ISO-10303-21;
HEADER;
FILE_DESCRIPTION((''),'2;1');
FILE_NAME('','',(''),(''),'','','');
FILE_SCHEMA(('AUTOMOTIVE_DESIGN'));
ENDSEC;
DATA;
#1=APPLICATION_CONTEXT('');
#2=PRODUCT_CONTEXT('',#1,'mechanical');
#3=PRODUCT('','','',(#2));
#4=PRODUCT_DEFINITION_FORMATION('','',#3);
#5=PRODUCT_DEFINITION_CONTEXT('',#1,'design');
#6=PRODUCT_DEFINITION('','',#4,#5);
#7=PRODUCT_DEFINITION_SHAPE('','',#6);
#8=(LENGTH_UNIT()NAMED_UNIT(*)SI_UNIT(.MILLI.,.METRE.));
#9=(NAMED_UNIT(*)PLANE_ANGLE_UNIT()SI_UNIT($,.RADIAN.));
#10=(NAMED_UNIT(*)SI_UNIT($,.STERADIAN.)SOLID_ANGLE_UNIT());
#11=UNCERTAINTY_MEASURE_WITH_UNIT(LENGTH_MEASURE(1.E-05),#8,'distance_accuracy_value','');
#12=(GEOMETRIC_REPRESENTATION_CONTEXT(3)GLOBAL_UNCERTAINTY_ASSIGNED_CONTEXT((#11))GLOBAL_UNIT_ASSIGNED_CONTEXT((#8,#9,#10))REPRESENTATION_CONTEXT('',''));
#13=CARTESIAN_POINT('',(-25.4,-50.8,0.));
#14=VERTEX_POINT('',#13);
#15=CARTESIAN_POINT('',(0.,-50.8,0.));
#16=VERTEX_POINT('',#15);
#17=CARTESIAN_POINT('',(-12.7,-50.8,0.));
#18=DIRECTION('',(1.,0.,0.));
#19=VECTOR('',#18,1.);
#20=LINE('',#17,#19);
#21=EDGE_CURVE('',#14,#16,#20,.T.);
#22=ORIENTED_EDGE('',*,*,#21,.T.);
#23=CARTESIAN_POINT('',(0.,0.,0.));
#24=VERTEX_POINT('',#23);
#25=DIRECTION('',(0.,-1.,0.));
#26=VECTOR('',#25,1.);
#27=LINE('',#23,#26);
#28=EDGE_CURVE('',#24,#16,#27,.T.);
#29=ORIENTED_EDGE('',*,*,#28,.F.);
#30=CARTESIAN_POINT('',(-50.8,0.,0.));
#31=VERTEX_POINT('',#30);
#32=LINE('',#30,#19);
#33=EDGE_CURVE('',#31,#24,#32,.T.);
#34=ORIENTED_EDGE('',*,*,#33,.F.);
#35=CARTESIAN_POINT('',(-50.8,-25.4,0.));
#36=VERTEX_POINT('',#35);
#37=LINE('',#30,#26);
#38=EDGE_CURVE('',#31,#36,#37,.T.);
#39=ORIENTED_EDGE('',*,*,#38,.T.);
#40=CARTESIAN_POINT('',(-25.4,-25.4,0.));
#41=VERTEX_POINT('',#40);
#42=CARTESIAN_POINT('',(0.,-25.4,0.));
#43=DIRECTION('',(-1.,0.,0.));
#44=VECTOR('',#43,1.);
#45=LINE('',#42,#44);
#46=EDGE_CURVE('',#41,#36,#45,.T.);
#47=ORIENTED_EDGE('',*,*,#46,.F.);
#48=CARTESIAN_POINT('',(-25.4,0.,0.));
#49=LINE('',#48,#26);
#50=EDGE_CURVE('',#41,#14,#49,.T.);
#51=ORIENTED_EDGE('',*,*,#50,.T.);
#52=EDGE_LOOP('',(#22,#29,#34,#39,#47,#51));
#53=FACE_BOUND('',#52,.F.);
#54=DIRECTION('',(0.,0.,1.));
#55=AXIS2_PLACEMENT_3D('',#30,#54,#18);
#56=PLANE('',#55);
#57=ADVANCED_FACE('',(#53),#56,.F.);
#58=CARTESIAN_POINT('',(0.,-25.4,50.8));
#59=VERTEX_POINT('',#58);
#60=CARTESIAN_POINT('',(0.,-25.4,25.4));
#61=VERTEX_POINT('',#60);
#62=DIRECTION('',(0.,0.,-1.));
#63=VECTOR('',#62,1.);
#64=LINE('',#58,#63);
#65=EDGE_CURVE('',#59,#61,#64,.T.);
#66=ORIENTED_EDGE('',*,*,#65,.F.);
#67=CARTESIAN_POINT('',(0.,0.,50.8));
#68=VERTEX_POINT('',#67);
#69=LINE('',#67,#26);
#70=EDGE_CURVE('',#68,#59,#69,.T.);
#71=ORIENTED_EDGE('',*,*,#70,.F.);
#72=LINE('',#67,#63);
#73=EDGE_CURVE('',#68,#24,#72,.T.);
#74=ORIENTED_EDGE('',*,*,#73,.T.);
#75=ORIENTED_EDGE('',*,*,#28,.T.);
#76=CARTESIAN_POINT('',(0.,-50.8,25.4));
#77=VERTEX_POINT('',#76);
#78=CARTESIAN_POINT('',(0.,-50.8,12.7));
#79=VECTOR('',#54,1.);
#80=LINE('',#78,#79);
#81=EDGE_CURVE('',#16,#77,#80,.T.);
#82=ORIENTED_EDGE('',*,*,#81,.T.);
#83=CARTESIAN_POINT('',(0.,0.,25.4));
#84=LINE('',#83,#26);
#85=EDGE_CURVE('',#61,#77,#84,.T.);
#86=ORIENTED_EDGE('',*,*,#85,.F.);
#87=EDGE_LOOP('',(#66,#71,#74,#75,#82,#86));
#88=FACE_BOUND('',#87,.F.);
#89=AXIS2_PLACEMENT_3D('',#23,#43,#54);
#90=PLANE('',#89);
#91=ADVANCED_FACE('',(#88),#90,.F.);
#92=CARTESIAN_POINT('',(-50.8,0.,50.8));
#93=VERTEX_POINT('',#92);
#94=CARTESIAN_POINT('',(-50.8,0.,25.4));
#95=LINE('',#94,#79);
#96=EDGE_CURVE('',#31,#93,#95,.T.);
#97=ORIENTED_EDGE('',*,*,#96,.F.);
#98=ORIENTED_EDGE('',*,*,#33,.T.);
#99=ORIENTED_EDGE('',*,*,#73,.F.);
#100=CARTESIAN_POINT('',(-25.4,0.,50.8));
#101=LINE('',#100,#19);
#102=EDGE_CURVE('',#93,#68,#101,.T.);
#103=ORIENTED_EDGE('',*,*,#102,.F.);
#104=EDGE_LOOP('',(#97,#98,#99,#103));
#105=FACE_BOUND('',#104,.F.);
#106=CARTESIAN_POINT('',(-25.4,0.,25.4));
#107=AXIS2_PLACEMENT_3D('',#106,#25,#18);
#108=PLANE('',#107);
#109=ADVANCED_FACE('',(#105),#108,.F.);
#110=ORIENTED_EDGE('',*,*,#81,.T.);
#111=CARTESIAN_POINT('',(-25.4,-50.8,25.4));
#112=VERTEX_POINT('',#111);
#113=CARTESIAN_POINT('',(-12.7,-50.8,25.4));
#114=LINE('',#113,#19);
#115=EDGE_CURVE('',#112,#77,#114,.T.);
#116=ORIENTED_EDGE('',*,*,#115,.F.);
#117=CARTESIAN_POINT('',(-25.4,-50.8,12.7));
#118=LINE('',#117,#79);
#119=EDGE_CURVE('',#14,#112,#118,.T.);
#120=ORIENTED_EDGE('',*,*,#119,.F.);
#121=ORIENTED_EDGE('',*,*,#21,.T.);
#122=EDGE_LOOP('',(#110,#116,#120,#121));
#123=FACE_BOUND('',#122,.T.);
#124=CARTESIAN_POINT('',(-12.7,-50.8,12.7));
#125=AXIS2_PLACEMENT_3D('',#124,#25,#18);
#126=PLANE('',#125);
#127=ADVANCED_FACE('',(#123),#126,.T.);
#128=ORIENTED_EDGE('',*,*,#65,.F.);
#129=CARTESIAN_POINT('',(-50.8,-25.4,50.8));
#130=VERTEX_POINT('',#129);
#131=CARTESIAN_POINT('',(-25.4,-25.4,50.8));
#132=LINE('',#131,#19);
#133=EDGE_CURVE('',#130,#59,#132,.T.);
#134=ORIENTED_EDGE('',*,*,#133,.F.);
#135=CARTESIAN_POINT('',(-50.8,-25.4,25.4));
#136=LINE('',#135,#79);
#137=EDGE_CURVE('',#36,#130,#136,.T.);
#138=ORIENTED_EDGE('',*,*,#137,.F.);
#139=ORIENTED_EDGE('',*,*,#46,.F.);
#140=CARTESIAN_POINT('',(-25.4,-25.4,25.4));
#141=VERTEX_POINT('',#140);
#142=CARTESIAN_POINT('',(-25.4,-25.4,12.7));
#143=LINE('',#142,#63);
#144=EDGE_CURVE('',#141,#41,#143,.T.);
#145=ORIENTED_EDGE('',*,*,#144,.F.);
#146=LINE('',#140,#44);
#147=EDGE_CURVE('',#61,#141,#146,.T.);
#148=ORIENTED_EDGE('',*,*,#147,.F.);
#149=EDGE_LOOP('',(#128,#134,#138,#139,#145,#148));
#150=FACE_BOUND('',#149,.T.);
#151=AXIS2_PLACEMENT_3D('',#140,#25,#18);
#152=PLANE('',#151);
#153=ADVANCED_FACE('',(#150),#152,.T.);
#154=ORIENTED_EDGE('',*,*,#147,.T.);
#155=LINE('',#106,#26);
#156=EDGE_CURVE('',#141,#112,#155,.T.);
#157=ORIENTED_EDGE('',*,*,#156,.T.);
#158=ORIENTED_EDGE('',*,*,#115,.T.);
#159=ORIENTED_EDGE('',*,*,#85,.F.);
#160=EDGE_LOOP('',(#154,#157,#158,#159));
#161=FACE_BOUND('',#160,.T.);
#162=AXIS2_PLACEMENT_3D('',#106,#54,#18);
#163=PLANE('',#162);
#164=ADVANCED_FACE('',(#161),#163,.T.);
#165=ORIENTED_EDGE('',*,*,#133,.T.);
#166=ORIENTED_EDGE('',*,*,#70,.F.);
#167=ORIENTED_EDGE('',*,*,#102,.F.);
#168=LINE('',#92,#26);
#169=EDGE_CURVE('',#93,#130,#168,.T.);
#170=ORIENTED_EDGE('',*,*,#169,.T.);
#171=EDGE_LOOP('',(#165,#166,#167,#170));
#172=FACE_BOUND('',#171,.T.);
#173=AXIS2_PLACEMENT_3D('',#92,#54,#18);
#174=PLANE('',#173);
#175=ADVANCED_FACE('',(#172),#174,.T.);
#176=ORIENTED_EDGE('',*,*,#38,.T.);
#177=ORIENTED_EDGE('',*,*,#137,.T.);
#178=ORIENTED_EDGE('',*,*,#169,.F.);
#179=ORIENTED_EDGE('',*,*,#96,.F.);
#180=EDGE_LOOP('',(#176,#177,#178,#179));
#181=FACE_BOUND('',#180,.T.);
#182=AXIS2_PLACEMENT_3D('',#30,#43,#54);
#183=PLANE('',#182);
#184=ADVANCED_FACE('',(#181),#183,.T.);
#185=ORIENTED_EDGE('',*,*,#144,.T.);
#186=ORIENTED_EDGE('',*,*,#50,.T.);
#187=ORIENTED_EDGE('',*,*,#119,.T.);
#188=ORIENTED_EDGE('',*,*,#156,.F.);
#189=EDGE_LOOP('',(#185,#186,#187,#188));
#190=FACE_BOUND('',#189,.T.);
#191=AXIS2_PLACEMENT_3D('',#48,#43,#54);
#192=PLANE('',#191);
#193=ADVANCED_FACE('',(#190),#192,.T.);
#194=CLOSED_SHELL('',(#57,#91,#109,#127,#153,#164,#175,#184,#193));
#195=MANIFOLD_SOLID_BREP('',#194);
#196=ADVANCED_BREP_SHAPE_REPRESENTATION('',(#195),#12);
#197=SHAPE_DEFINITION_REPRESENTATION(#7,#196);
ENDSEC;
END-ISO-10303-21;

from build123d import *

# Parameters (mm, degrees)
F0_W     = 50.8
F0_H     = 50.8
F1_DEPTH = 25.4
F2_W     = 25.4
F2_H     = 25.4
F3_DEPTH = 25.4
F4_W     = 25.4
F4_H     = 25.4
F5_DEPTH = 25.4
F6_W     = 25.4
F6_H     = 25.4
F7_DEPTH = 25.4
F8_W     = 25.4
F8_H     = 25.4
F9_DEPTH = 50.8


with BuildPart() as f1:
    # F0 (on Front) → F1 (new body)
    with BuildSketch(Plane.XZ):
        with Locations((-25.4, 25.4)):
            Rectangle(F0_W, F0_H)
    extrude(amount=F1_DEPTH)

    # F2 (on Front) → F3 (join)
    with BuildSketch(Plane.XZ):
        with Locations((-12.7, 12.7)):
            Rectangle(F2_W, F2_H)
    extrude(amount=F3_DEPTH)

    # F4 (on Front) → F5 (join)
    with BuildSketch(Plane.XZ):
        with Locations((-12.7, 12.7)):
            Rectangle(F4_W, F4_H)
    extrude(amount=F5_DEPTH)

    # F6 (on Front) → F7 (join)
    with BuildSketch(Plane.XZ):
        with Locations((-12.7, 12.7)):
            Rectangle(F6_W, F6_H)
    extrude(amount=F7_DEPTH)

    # F8 (on Front) → F9 (join)
    with BuildSketch(Plane.XZ):
        with Locations((-12.7, 12.7)):
            Rectangle(F8_W, F8_H)
    extrude(amount=F9_DEPTH)


solid = f1.part
